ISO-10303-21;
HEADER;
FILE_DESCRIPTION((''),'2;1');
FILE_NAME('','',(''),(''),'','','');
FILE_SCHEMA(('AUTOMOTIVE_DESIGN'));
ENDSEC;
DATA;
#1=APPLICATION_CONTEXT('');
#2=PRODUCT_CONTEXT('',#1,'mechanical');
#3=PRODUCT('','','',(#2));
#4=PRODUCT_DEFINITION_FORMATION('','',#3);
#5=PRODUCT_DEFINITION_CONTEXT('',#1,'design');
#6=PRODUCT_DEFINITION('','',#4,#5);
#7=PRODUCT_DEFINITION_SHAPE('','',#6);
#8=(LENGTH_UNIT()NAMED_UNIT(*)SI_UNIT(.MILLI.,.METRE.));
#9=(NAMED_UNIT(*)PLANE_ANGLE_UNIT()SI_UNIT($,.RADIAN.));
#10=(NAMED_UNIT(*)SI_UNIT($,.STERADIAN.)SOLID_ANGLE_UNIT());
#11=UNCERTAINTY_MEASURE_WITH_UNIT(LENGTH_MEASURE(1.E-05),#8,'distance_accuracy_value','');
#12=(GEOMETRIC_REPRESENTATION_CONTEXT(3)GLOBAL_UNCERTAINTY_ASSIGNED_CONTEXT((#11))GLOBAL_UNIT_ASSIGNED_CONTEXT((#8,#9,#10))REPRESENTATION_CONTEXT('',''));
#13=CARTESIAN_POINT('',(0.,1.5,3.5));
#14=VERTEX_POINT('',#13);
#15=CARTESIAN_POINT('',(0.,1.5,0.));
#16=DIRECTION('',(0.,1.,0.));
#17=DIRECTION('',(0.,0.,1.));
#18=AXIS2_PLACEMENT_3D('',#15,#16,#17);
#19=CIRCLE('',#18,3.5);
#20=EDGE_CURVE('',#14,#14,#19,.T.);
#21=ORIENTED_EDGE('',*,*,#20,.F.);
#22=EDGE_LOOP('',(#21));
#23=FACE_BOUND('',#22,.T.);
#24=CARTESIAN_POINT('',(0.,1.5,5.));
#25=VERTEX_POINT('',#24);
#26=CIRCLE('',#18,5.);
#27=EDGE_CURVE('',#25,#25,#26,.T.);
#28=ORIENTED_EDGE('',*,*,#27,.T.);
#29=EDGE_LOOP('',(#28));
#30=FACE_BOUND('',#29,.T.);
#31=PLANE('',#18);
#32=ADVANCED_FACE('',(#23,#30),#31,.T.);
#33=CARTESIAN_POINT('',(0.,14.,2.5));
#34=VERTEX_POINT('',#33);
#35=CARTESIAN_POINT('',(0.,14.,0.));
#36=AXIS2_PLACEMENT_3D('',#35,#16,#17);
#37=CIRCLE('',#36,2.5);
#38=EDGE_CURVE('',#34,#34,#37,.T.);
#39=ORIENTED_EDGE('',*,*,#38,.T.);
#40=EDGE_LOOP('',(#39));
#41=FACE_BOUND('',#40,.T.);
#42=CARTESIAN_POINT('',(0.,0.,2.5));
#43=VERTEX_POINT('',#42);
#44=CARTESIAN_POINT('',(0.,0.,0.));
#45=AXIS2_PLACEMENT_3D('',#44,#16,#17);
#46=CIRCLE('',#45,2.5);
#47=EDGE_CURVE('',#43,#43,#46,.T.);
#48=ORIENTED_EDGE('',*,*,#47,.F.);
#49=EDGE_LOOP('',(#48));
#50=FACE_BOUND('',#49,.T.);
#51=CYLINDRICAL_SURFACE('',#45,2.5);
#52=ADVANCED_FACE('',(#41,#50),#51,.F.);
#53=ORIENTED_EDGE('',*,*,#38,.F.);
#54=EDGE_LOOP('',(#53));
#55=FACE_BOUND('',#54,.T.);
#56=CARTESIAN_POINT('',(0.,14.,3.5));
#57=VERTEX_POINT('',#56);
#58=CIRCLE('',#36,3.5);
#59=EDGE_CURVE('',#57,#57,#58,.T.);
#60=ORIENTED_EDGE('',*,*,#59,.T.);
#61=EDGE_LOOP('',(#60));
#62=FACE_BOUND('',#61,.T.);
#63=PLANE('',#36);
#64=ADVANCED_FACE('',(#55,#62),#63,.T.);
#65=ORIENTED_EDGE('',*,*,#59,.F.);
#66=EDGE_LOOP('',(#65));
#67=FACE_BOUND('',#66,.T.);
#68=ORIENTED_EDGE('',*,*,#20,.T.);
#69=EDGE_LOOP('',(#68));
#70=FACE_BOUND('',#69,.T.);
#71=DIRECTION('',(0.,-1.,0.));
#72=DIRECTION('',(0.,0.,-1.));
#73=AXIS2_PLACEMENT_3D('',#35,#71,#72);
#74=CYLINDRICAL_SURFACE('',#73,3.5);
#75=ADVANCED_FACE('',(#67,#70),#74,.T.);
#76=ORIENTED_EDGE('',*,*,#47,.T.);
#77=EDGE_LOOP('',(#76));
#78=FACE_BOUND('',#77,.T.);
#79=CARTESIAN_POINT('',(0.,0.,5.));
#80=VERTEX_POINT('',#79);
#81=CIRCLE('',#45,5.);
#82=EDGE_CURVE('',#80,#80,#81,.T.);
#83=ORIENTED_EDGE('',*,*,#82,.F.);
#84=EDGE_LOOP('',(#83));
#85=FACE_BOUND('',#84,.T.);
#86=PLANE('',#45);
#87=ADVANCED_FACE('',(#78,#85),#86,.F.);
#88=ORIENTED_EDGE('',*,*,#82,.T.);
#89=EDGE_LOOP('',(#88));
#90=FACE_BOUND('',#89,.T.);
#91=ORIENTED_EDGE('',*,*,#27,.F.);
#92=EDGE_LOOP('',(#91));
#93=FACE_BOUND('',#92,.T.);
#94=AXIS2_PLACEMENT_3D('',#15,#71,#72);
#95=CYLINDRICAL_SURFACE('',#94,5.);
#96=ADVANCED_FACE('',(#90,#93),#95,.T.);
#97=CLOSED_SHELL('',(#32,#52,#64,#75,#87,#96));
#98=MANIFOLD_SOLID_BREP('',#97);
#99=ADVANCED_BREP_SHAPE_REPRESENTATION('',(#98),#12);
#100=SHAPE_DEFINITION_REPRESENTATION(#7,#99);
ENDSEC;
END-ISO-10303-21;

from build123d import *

# Parameters (mm, degrees)
SKETCH1_R           = 5
BOSS_EXTRUDE1_DEPTH = 1.5
SKETCH2_R           = 3.5
BOSS_EXTRUDE2_DEPTH = 12.5
SKETCH3_R           = 2.5
CUT_EXTRUDE1_DEPTH  = 15


with BuildPart() as part:
    # Sketch1 → Boss-Extrude1 (new body)
    with BuildSketch(Plane(origin=(0, 0, 0), x_dir=(1, 0, 0), z_dir=(0, 1, 0))):
        Circle(SKETCH1_R)
    extrude(amount=BOSS_EXTRUDE1_DEPTH)

    # Sketch2 → Boss-Extrude2 (add)
    with BuildSketch(Plane(origin=(0, 1.5, 0), x_dir=(1, 0, 0), z_dir=(0, 1, 0))):
        Circle(SKETCH2_R)
    extrude(amount=BOSS_EXTRUDE2_DEPTH)

    # Sketch3 → Cut-Extrude1 (cut, through all)
    with BuildSketch(Plane(origin=(0, 14, 0), x_dir=(1, 0, 0), z_dir=(0, 1, 0))):
        Circle(SKETCH3_R)
    extrude(amount=-CUT_EXTRUDE1_DEPTH, mode=Mode.SUBTRACT)


solid = part.part
